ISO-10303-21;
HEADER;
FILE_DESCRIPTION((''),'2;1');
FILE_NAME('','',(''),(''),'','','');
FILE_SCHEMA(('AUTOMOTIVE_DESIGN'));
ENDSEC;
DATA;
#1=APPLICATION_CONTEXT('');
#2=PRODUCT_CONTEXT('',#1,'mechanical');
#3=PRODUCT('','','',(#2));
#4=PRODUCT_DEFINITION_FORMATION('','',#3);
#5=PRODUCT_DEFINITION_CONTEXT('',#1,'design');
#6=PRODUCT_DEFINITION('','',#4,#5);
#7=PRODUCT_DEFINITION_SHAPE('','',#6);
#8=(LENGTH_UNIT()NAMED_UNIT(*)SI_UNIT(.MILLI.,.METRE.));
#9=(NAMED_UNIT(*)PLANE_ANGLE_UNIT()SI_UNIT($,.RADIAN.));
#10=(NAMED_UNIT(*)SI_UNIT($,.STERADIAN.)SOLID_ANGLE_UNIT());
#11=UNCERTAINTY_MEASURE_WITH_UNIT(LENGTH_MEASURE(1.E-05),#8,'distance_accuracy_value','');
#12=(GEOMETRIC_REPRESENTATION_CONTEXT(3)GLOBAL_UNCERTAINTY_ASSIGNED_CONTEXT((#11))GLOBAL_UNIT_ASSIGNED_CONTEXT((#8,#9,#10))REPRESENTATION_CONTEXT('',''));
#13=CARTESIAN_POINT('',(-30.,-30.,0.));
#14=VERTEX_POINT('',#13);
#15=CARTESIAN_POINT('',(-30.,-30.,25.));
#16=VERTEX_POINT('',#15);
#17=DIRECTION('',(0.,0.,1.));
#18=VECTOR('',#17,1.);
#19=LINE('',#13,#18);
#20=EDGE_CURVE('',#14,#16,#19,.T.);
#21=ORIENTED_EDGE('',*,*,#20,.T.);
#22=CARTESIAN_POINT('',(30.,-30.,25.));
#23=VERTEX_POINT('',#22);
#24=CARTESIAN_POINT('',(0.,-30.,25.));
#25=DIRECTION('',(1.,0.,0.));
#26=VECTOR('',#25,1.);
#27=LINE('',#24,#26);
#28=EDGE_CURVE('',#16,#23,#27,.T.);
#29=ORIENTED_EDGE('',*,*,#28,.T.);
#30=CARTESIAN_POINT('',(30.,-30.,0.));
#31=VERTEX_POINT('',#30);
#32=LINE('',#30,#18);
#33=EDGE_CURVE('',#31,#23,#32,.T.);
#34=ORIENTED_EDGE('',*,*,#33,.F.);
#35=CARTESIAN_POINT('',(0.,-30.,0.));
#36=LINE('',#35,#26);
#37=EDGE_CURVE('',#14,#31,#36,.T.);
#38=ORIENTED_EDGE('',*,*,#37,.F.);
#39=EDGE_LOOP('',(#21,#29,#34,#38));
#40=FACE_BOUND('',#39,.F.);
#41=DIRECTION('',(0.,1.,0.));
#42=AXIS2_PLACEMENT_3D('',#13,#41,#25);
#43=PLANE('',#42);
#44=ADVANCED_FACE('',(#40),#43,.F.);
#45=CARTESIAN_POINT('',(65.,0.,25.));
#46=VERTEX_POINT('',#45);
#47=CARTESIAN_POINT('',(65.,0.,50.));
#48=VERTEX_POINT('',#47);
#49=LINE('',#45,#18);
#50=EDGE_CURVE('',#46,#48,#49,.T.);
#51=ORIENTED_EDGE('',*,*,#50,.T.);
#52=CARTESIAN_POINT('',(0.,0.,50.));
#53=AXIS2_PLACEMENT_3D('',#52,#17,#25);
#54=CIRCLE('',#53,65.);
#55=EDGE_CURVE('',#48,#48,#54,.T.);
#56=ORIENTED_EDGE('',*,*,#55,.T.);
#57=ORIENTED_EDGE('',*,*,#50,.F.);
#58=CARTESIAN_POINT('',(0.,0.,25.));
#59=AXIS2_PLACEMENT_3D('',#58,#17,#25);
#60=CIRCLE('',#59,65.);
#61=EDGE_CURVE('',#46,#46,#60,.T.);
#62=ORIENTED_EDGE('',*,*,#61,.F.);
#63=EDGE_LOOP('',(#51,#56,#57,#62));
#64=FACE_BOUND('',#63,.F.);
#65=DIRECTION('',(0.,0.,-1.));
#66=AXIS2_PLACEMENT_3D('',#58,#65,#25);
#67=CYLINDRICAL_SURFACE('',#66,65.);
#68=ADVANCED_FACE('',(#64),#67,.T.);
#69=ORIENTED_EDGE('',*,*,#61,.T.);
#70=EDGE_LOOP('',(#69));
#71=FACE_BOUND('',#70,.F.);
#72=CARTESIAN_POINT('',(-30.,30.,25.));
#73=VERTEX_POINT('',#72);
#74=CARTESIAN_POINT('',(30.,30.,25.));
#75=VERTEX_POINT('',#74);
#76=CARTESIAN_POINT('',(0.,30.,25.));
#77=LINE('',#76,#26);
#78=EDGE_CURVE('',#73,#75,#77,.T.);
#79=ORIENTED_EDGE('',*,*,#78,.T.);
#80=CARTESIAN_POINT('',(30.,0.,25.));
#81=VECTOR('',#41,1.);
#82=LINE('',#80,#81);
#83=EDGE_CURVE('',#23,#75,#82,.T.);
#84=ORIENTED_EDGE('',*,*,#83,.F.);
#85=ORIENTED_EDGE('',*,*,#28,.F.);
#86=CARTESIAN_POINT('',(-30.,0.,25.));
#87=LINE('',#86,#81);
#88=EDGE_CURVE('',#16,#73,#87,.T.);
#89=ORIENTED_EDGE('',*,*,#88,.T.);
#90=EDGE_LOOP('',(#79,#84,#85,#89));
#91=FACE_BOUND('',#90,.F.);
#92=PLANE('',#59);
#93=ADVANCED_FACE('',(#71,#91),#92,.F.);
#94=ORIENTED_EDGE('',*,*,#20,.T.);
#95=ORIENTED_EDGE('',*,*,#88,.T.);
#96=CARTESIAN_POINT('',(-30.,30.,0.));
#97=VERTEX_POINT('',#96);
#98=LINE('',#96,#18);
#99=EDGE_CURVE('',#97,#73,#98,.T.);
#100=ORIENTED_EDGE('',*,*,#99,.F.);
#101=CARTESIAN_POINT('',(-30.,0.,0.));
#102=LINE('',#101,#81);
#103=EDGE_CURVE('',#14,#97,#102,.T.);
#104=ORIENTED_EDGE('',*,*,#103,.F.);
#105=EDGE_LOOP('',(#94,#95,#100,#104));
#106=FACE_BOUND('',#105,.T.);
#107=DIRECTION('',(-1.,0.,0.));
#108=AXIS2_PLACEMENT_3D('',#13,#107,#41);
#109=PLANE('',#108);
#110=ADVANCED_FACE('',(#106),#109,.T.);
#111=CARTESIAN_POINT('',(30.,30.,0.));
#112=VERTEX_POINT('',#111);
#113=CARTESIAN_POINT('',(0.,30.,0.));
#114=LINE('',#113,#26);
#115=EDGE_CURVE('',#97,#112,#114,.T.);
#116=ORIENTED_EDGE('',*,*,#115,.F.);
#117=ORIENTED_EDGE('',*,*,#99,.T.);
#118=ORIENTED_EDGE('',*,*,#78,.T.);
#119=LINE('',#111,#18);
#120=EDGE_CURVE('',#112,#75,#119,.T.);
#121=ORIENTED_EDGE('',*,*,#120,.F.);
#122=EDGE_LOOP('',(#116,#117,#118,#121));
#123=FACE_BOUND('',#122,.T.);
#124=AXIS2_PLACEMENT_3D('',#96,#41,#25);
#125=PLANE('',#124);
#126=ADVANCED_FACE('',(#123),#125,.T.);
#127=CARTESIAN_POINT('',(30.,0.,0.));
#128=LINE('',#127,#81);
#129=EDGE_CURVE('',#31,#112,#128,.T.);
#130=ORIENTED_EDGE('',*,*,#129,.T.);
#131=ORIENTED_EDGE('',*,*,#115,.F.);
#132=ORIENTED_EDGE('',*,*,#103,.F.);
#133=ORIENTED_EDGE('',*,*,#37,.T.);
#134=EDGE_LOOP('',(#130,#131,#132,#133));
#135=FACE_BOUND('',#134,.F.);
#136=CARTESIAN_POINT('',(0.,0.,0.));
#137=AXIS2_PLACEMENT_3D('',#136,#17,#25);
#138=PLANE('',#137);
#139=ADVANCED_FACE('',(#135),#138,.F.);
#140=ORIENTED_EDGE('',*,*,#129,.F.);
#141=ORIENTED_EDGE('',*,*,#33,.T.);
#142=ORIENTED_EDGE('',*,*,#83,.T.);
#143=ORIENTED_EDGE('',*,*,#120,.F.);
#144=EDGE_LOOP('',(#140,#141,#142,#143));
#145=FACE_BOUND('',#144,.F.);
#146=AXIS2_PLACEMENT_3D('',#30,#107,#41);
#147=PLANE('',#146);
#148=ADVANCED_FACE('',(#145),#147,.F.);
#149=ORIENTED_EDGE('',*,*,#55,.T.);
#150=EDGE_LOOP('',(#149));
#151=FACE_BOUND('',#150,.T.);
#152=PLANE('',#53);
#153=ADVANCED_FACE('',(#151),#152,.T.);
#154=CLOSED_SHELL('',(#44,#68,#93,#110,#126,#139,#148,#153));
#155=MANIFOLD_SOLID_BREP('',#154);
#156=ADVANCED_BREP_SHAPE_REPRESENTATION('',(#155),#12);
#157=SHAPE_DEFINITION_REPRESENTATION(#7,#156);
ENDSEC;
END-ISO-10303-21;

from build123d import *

# Parameters (mm, degrees)
F0_W     = 60
F0_H     = 60
F1_DEPTH = 25
F2_R     = 65
F2_W     = 60
F2_H     = 60
F3_DEPTH = 25


with BuildPart() as f1:
    # F0 (on Top) → F1 (new body)
    with BuildSketch(Plane.XY):
        Rectangle(F0_W, F0_H)
    extrude(amount=F1_DEPTH)

    # F2 (on face) → F3 (join)
    with BuildSketch(Plane.XY.offset(25)):
        Circle(F2_R)
        Rectangle(F2_W, F2_H, mode=Mode.SUBTRACT)
        Rectangle(F2_W, F2_H)
    extrude(amount=F3_DEPTH)


solid = f1.part
